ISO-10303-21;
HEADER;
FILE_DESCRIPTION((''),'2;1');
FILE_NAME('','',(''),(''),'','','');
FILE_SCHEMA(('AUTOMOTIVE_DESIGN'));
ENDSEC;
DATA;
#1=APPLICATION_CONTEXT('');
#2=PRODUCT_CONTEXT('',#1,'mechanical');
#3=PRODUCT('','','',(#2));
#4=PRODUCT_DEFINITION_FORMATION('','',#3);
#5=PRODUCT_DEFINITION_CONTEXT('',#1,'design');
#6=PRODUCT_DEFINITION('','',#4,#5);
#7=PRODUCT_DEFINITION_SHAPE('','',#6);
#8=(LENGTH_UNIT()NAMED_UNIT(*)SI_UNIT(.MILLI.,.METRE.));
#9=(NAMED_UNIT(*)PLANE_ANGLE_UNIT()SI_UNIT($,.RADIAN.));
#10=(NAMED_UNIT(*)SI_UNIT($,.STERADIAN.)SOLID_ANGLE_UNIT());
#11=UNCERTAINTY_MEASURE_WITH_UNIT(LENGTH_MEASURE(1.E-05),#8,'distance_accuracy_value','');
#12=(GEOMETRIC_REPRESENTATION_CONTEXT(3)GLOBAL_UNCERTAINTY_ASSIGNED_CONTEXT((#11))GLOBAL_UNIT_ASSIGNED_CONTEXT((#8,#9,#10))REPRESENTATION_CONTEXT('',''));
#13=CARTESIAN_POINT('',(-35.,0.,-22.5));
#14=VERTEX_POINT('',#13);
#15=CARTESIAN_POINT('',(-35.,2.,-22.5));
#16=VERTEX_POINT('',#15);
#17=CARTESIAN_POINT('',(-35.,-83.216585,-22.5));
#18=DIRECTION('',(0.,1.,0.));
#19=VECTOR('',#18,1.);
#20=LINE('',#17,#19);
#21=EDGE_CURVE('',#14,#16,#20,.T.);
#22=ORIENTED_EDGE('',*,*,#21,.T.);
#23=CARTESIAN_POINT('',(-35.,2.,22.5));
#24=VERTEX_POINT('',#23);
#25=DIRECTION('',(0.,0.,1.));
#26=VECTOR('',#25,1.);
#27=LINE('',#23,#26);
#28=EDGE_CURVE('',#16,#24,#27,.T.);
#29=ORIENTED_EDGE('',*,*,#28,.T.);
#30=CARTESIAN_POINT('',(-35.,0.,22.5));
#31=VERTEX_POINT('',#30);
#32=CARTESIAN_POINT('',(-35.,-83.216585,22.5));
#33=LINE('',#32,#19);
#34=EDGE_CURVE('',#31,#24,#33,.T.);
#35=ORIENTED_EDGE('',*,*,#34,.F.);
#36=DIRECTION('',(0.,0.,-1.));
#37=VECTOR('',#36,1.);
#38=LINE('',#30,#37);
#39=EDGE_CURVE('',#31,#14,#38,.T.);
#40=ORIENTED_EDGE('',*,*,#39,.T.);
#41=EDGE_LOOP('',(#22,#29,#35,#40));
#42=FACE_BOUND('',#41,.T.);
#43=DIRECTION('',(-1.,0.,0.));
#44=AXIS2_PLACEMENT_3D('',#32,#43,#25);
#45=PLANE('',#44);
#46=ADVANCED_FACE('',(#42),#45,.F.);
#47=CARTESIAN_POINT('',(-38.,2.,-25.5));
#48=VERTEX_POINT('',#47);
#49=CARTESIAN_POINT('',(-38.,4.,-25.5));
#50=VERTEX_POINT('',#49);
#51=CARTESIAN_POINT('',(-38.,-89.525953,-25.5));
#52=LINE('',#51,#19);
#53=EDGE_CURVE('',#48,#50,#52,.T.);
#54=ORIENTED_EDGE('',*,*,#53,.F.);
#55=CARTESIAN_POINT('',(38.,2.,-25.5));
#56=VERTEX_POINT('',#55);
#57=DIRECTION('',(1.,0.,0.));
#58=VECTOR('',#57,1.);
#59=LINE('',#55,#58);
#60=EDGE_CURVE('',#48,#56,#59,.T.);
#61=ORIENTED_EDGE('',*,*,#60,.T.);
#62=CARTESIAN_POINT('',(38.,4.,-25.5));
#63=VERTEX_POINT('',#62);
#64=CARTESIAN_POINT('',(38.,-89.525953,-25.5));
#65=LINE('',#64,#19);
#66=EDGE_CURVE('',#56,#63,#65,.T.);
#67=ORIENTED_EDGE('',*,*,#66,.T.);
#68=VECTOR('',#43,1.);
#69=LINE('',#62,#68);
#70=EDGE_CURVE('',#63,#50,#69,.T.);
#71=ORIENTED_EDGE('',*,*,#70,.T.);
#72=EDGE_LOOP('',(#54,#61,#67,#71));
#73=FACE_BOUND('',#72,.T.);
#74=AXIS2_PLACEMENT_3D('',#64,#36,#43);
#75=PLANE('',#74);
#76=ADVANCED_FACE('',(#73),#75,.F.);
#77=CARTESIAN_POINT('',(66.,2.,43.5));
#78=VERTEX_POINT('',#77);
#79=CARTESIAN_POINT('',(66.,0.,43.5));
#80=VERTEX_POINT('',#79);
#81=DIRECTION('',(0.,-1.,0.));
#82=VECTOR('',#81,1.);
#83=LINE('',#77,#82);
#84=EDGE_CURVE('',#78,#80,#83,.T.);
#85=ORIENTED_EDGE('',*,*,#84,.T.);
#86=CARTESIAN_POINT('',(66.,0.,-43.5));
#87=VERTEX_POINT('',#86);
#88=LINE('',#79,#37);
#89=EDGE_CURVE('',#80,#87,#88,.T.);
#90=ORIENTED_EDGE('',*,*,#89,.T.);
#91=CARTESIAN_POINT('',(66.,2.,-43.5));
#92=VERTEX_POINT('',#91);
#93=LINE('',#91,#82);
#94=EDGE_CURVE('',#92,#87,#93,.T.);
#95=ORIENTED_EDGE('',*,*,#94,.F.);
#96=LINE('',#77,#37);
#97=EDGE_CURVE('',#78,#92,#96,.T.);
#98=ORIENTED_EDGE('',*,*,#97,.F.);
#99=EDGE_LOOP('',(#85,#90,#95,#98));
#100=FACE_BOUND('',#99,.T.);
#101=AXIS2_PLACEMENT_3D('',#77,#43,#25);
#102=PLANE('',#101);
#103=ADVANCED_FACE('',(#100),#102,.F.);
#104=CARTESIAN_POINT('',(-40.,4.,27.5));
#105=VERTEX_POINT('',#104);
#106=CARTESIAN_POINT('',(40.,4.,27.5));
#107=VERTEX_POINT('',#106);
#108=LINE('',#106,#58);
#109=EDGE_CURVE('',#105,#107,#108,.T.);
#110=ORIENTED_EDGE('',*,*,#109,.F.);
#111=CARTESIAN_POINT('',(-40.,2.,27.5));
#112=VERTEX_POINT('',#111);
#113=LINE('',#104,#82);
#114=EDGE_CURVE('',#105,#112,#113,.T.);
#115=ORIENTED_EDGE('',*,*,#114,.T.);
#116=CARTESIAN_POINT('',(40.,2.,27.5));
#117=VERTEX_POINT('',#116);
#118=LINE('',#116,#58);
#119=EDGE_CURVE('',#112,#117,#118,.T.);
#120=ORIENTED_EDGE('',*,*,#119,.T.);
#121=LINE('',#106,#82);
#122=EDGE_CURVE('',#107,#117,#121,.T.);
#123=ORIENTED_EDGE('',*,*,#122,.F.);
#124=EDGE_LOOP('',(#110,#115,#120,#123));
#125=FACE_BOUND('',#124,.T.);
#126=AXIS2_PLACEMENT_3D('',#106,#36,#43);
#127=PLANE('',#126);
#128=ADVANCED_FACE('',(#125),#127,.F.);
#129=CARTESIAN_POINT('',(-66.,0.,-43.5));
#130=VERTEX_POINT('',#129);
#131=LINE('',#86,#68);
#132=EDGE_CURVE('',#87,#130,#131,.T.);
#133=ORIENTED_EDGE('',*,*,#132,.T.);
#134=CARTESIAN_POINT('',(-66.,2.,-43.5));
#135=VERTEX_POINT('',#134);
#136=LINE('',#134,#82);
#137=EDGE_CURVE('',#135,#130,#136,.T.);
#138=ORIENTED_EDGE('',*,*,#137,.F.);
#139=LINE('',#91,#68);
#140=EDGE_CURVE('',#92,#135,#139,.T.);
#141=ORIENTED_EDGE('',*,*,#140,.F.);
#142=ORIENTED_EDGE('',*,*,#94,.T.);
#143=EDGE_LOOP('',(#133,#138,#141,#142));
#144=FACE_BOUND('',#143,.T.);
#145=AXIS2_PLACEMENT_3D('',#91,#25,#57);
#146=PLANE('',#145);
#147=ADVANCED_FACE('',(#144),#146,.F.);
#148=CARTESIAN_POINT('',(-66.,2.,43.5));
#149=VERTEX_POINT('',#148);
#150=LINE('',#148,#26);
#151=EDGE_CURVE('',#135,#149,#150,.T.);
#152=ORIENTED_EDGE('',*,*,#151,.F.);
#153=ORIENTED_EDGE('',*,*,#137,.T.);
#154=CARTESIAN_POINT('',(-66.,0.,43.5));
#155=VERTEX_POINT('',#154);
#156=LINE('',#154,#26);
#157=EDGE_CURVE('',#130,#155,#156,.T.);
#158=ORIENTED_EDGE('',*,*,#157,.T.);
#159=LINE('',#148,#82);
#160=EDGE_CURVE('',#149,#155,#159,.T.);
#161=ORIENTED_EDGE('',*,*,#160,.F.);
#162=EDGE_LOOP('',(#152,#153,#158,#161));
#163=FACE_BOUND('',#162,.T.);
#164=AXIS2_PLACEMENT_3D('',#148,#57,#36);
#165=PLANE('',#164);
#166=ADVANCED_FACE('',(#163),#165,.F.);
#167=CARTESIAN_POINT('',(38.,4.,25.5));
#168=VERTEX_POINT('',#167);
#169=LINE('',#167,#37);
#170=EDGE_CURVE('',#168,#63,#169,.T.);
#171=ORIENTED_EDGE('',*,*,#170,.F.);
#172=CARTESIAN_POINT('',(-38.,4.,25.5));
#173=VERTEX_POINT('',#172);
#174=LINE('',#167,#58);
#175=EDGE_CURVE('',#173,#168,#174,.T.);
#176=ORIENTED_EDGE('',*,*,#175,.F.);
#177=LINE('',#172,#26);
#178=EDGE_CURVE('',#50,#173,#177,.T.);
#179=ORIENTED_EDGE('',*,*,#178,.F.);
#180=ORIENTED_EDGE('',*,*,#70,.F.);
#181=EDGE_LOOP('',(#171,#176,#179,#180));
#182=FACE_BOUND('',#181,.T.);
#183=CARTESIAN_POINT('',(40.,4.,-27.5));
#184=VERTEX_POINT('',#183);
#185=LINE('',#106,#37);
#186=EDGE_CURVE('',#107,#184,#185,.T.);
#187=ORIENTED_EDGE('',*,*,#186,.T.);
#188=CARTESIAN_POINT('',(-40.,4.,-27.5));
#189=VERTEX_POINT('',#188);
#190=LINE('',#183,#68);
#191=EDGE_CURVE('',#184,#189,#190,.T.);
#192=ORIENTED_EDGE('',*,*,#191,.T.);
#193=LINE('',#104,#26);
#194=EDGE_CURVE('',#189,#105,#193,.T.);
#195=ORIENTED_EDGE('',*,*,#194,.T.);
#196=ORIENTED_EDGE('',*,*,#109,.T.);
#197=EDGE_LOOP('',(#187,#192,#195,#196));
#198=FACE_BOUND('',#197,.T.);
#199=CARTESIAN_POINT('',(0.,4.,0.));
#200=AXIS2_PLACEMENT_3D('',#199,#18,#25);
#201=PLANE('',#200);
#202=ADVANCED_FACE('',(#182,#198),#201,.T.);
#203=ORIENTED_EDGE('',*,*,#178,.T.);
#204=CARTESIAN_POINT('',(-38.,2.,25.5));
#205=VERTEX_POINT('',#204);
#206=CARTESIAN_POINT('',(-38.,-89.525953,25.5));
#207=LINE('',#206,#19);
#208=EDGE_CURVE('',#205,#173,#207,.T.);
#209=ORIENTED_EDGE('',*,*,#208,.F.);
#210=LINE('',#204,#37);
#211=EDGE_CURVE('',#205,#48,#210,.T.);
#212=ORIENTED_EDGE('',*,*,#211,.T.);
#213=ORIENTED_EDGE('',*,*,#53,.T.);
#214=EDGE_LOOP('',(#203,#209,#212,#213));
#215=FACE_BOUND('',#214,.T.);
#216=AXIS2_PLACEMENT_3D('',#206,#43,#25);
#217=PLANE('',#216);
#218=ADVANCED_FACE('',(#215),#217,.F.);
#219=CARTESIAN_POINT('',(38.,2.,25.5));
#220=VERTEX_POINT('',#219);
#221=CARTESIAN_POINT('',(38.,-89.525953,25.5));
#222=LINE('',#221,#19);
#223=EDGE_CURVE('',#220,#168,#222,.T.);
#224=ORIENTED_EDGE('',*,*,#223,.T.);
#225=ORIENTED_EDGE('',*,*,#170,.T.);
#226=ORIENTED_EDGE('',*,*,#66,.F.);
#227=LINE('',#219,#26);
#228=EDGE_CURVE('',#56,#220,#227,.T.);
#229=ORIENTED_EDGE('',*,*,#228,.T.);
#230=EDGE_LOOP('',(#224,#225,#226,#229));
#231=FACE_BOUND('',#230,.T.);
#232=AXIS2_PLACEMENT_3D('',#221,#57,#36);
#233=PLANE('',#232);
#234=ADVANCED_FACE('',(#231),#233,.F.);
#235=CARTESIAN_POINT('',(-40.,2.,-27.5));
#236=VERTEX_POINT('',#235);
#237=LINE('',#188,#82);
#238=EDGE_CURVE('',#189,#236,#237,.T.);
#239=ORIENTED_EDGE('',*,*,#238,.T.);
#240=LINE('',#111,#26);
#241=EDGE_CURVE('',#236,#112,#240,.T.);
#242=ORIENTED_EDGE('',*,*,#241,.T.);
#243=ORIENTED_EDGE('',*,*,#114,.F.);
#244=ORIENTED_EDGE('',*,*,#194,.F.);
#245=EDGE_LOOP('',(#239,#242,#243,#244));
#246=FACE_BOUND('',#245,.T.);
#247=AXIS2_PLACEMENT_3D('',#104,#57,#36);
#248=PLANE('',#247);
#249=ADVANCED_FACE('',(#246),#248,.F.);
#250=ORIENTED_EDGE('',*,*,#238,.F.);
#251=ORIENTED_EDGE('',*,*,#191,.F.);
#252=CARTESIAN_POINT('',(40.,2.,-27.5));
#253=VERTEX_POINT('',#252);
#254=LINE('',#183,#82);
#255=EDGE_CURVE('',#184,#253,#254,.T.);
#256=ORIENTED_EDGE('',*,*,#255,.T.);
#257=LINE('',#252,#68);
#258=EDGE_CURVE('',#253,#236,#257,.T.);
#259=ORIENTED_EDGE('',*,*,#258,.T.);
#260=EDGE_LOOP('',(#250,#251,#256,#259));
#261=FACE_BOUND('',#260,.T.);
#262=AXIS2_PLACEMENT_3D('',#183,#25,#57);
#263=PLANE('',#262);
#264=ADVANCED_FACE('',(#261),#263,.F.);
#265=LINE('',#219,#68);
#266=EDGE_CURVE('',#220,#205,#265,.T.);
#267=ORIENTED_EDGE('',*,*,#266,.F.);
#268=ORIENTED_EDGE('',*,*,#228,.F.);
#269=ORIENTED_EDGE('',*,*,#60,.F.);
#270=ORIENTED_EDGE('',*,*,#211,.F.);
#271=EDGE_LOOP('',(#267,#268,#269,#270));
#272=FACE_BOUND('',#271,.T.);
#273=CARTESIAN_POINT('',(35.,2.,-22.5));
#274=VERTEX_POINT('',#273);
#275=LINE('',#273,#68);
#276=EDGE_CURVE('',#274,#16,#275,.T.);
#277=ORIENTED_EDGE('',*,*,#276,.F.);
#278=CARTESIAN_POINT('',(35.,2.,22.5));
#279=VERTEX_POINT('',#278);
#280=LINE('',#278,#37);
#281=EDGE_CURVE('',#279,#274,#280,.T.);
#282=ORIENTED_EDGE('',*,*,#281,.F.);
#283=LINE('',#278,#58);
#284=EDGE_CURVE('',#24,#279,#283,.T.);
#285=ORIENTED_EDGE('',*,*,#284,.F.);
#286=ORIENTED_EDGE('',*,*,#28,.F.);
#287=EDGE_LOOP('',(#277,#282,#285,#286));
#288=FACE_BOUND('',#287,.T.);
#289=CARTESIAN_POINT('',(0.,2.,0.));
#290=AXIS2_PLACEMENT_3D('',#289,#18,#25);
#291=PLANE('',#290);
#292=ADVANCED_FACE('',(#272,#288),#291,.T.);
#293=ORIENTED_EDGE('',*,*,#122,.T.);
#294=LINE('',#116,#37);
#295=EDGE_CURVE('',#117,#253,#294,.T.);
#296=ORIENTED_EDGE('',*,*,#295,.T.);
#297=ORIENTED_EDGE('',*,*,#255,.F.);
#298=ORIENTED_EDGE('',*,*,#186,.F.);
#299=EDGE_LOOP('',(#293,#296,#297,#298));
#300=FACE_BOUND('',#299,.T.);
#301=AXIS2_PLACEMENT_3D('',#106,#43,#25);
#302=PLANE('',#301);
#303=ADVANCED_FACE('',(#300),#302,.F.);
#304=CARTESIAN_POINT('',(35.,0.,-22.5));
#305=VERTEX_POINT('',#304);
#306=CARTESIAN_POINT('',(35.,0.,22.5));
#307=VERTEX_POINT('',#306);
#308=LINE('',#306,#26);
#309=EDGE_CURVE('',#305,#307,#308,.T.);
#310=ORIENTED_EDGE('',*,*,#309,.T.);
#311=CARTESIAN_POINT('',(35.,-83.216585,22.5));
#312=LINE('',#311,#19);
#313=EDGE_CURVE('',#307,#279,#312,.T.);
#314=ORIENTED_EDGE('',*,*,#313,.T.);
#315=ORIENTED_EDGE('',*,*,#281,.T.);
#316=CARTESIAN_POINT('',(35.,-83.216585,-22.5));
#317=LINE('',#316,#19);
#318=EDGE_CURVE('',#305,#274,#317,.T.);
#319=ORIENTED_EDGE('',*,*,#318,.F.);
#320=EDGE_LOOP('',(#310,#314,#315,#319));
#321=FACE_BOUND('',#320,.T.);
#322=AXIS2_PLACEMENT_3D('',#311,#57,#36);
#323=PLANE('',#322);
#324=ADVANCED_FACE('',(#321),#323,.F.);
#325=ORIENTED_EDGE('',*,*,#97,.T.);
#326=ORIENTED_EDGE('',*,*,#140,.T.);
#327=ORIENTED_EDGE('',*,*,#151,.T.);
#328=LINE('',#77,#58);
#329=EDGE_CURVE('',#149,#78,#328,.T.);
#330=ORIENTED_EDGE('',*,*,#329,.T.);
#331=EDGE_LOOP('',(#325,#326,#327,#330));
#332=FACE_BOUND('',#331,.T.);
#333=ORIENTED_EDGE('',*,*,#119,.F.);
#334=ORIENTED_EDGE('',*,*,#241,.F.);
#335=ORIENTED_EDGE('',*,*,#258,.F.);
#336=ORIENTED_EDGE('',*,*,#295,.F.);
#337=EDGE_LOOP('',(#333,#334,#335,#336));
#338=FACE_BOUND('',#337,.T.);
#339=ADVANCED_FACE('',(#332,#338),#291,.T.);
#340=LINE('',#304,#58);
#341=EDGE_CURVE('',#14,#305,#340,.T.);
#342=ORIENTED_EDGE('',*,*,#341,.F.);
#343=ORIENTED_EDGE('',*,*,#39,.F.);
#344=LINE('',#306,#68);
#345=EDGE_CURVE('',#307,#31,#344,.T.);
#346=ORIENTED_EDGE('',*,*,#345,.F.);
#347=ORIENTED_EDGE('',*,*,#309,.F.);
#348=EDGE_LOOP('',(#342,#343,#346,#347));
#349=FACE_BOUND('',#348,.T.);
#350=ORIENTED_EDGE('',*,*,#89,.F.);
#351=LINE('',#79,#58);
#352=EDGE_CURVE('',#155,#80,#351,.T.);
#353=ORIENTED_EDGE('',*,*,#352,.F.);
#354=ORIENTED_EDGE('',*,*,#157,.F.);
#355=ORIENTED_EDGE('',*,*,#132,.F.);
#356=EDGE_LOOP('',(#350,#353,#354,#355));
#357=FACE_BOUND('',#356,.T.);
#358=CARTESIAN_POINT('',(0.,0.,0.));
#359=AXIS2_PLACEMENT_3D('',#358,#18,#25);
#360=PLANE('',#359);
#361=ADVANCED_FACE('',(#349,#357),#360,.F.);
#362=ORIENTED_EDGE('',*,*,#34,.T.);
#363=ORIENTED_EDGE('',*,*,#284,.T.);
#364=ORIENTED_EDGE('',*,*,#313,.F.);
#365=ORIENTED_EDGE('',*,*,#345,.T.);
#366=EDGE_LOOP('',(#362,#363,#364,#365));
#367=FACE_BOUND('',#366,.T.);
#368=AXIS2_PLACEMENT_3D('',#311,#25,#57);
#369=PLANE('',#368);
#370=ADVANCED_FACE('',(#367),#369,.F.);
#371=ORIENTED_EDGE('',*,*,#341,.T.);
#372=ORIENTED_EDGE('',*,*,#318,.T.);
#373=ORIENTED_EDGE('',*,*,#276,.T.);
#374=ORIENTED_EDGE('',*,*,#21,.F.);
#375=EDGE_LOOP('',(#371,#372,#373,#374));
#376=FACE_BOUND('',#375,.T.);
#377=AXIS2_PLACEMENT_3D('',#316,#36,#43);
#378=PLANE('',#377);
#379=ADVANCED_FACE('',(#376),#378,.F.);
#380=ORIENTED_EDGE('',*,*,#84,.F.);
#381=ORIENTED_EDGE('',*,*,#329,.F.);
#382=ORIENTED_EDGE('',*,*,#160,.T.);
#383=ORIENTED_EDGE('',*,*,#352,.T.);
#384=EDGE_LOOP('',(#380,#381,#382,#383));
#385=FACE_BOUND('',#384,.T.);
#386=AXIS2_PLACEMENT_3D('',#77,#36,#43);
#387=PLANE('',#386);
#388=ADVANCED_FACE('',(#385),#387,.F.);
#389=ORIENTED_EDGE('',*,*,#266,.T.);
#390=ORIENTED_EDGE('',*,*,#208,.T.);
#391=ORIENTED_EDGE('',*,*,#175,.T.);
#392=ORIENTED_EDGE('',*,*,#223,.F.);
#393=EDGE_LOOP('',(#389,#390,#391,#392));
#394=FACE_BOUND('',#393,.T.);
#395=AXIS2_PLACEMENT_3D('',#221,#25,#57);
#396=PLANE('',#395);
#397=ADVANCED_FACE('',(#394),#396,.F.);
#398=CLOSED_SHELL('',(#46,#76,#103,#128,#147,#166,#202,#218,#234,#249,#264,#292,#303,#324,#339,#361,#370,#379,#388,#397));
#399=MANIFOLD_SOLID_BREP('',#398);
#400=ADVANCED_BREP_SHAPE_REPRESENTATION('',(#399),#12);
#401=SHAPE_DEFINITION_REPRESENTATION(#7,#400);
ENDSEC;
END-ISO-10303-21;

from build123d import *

# Parameters (mm, degrees)
SKETCH1_W           = 132
SKETCH1_H           = 87
BOSS_EXTRUDE1_DEPTH = 2
SKETCH2_W           = 80
SKETCH2_H           = 55
BOSS_EXTRUDE2_DEPTH = 2
SKETCH3_W           = 76
SKETCH3_H           = 51
CUT_EXTRUDE1_DEPTH  = 2
SKETCH4_W           = 70
SKETCH4_H           = 45
CUT_EXTRUDE2_DEPTH  = 2


with BuildPart() as part:
    # Sketch1 → Boss-Extrude1 (new body)
    with BuildSketch(Plane(origin=(0, 0, 0), x_dir=(1, 0, 0), z_dir=(0, 1, 0))):
        Rectangle(SKETCH1_W, SKETCH1_H)
    extrude(amount=BOSS_EXTRUDE1_DEPTH)

    # Sketch2 → Boss-Extrude2 (add)
    with BuildSketch(Plane(origin=(0, 2, 0), x_dir=(1, 0, 0), z_dir=(0, 1, 0))):
        Rectangle(SKETCH2_W, SKETCH2_H)
    extrude(amount=BOSS_EXTRUDE2_DEPTH)

    # Sketch3 → Cut-Extrude1 (cut)
    with BuildSketch(Plane(origin=(0, 4, 0), x_dir=(1, 0, 0), z_dir=(0, 1, 0))):
        Rectangle(SKETCH3_W, SKETCH3_H)
    extrude(amount=-CUT_EXTRUDE1_DEPTH, mode=Mode.SUBTRACT)

    # Sketch4 → Cut-Extrude2 (cut)
    with BuildSketch(Plane(origin=(0, 2, 0), x_dir=(1, 0, 0), z_dir=(0, 1, 0))):
        Rectangle(SKETCH4_W, SKETCH4_H)
    extrude(amount=-CUT_EXTRUDE2_DEPTH, mode=Mode.SUBTRACT)


solid = part.part
